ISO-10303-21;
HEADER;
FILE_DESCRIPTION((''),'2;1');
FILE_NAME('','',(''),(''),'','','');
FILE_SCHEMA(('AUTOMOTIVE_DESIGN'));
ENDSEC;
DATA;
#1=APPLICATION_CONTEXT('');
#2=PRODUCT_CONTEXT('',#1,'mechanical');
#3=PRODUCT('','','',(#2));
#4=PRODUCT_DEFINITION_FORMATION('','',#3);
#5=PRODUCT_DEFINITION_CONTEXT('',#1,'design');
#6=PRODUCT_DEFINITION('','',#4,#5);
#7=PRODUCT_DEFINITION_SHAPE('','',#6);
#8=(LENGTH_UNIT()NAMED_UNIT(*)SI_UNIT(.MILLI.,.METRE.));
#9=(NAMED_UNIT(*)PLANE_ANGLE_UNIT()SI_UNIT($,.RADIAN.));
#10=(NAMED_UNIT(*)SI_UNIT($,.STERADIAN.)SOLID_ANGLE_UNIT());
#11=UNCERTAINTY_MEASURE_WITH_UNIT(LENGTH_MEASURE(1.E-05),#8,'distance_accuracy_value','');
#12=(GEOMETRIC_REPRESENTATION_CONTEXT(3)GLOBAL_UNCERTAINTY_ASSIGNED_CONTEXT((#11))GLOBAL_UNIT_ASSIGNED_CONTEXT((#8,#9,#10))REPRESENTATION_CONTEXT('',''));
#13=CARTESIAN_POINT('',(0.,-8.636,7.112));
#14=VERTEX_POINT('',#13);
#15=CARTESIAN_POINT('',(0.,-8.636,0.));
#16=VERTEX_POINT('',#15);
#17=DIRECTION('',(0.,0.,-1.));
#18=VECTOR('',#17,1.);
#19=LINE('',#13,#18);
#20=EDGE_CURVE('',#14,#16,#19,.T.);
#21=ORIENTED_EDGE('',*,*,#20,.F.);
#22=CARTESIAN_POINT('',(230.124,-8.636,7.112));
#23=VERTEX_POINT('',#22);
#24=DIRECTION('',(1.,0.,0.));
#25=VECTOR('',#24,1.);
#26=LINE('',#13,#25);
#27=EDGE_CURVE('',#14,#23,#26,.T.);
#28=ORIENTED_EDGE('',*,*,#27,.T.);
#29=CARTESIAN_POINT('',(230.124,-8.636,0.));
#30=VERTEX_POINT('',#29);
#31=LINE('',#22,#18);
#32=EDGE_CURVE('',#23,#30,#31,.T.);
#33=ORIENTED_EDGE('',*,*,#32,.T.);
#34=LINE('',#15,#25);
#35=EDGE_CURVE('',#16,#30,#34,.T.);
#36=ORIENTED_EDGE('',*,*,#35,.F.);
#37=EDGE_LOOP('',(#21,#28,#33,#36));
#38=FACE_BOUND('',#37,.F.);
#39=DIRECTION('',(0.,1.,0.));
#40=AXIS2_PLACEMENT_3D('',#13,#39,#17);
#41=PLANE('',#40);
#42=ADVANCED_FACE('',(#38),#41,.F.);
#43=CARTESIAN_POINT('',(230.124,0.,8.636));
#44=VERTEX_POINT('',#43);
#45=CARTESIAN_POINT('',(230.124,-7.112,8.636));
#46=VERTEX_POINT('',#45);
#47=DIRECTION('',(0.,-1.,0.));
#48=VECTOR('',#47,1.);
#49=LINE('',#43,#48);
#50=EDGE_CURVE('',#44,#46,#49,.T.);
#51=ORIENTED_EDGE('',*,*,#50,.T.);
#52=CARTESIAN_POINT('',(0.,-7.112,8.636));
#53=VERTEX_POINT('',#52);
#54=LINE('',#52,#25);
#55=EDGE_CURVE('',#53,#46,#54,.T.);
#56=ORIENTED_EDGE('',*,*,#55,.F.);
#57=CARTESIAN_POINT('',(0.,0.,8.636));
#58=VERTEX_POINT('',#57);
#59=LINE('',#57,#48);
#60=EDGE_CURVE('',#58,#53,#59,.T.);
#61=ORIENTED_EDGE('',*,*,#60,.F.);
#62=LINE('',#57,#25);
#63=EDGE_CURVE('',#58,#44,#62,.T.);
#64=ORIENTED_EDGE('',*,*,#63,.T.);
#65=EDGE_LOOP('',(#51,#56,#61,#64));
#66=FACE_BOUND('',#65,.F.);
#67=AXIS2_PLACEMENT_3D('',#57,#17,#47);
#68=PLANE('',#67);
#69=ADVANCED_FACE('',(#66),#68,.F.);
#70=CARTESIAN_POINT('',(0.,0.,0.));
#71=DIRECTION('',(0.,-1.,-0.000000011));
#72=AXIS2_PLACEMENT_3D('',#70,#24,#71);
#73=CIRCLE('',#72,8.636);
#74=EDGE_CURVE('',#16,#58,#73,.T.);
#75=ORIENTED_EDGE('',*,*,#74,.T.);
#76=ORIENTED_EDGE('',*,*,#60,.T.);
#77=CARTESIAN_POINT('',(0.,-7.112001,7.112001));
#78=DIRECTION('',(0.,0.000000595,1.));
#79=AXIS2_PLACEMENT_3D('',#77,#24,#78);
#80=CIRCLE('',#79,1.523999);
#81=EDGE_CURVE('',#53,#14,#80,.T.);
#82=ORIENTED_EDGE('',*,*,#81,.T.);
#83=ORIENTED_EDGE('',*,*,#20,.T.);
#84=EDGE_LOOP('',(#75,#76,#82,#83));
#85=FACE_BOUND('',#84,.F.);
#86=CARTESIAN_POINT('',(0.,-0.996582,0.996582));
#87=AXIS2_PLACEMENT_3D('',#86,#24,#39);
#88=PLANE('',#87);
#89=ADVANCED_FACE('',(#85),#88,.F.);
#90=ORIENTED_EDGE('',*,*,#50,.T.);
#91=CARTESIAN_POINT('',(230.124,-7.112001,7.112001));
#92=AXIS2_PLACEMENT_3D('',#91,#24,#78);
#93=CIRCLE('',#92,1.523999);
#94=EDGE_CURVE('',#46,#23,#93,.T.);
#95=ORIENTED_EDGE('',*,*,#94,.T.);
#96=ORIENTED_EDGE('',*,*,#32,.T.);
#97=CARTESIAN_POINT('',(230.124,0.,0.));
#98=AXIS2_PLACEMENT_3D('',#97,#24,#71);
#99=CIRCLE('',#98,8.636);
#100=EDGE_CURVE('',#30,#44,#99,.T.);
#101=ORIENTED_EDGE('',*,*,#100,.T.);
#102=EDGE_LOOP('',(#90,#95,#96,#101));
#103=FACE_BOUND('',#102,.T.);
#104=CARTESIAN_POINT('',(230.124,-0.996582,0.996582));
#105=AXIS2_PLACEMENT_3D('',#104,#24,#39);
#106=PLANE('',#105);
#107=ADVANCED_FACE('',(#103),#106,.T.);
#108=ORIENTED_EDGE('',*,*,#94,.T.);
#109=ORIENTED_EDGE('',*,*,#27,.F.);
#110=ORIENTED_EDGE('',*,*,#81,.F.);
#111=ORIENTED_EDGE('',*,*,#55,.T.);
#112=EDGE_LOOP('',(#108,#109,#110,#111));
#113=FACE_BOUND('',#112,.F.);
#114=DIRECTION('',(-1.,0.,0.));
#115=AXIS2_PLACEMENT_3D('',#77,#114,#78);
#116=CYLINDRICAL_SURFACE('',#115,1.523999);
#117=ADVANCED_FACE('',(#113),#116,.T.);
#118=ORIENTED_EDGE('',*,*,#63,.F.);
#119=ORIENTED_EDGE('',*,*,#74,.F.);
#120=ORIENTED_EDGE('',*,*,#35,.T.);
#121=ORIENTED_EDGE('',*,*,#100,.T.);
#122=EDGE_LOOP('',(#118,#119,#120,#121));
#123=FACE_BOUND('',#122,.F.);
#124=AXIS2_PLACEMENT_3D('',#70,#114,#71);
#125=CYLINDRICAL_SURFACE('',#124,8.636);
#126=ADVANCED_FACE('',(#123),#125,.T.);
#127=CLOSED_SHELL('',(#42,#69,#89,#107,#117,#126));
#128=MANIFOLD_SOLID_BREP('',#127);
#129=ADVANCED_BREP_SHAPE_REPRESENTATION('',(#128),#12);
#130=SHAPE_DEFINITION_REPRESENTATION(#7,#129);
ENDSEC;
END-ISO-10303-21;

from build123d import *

# Parameters (mm, degrees)
F1_DEPTH = 230.124


with BuildPart() as f1:
    # F0 (on Right) → F1 (new body)
    with BuildSketch(Plane.YZ):
        with BuildLine():
            Line((-8.636, 7.112), (-8.636, 0))
            ThreePointArc((-8.636, 0), (6.106574, -6.106574), (0, 8.636))
            Line((0, 8.636), (-7.112, 8.636))
            ThreePointArc((-7.112, 8.636), (-8.189631, 8.189631), (-8.636, 7.112))
        make_face()
    extrude(amount=F1_DEPTH)


solid = f1.part
